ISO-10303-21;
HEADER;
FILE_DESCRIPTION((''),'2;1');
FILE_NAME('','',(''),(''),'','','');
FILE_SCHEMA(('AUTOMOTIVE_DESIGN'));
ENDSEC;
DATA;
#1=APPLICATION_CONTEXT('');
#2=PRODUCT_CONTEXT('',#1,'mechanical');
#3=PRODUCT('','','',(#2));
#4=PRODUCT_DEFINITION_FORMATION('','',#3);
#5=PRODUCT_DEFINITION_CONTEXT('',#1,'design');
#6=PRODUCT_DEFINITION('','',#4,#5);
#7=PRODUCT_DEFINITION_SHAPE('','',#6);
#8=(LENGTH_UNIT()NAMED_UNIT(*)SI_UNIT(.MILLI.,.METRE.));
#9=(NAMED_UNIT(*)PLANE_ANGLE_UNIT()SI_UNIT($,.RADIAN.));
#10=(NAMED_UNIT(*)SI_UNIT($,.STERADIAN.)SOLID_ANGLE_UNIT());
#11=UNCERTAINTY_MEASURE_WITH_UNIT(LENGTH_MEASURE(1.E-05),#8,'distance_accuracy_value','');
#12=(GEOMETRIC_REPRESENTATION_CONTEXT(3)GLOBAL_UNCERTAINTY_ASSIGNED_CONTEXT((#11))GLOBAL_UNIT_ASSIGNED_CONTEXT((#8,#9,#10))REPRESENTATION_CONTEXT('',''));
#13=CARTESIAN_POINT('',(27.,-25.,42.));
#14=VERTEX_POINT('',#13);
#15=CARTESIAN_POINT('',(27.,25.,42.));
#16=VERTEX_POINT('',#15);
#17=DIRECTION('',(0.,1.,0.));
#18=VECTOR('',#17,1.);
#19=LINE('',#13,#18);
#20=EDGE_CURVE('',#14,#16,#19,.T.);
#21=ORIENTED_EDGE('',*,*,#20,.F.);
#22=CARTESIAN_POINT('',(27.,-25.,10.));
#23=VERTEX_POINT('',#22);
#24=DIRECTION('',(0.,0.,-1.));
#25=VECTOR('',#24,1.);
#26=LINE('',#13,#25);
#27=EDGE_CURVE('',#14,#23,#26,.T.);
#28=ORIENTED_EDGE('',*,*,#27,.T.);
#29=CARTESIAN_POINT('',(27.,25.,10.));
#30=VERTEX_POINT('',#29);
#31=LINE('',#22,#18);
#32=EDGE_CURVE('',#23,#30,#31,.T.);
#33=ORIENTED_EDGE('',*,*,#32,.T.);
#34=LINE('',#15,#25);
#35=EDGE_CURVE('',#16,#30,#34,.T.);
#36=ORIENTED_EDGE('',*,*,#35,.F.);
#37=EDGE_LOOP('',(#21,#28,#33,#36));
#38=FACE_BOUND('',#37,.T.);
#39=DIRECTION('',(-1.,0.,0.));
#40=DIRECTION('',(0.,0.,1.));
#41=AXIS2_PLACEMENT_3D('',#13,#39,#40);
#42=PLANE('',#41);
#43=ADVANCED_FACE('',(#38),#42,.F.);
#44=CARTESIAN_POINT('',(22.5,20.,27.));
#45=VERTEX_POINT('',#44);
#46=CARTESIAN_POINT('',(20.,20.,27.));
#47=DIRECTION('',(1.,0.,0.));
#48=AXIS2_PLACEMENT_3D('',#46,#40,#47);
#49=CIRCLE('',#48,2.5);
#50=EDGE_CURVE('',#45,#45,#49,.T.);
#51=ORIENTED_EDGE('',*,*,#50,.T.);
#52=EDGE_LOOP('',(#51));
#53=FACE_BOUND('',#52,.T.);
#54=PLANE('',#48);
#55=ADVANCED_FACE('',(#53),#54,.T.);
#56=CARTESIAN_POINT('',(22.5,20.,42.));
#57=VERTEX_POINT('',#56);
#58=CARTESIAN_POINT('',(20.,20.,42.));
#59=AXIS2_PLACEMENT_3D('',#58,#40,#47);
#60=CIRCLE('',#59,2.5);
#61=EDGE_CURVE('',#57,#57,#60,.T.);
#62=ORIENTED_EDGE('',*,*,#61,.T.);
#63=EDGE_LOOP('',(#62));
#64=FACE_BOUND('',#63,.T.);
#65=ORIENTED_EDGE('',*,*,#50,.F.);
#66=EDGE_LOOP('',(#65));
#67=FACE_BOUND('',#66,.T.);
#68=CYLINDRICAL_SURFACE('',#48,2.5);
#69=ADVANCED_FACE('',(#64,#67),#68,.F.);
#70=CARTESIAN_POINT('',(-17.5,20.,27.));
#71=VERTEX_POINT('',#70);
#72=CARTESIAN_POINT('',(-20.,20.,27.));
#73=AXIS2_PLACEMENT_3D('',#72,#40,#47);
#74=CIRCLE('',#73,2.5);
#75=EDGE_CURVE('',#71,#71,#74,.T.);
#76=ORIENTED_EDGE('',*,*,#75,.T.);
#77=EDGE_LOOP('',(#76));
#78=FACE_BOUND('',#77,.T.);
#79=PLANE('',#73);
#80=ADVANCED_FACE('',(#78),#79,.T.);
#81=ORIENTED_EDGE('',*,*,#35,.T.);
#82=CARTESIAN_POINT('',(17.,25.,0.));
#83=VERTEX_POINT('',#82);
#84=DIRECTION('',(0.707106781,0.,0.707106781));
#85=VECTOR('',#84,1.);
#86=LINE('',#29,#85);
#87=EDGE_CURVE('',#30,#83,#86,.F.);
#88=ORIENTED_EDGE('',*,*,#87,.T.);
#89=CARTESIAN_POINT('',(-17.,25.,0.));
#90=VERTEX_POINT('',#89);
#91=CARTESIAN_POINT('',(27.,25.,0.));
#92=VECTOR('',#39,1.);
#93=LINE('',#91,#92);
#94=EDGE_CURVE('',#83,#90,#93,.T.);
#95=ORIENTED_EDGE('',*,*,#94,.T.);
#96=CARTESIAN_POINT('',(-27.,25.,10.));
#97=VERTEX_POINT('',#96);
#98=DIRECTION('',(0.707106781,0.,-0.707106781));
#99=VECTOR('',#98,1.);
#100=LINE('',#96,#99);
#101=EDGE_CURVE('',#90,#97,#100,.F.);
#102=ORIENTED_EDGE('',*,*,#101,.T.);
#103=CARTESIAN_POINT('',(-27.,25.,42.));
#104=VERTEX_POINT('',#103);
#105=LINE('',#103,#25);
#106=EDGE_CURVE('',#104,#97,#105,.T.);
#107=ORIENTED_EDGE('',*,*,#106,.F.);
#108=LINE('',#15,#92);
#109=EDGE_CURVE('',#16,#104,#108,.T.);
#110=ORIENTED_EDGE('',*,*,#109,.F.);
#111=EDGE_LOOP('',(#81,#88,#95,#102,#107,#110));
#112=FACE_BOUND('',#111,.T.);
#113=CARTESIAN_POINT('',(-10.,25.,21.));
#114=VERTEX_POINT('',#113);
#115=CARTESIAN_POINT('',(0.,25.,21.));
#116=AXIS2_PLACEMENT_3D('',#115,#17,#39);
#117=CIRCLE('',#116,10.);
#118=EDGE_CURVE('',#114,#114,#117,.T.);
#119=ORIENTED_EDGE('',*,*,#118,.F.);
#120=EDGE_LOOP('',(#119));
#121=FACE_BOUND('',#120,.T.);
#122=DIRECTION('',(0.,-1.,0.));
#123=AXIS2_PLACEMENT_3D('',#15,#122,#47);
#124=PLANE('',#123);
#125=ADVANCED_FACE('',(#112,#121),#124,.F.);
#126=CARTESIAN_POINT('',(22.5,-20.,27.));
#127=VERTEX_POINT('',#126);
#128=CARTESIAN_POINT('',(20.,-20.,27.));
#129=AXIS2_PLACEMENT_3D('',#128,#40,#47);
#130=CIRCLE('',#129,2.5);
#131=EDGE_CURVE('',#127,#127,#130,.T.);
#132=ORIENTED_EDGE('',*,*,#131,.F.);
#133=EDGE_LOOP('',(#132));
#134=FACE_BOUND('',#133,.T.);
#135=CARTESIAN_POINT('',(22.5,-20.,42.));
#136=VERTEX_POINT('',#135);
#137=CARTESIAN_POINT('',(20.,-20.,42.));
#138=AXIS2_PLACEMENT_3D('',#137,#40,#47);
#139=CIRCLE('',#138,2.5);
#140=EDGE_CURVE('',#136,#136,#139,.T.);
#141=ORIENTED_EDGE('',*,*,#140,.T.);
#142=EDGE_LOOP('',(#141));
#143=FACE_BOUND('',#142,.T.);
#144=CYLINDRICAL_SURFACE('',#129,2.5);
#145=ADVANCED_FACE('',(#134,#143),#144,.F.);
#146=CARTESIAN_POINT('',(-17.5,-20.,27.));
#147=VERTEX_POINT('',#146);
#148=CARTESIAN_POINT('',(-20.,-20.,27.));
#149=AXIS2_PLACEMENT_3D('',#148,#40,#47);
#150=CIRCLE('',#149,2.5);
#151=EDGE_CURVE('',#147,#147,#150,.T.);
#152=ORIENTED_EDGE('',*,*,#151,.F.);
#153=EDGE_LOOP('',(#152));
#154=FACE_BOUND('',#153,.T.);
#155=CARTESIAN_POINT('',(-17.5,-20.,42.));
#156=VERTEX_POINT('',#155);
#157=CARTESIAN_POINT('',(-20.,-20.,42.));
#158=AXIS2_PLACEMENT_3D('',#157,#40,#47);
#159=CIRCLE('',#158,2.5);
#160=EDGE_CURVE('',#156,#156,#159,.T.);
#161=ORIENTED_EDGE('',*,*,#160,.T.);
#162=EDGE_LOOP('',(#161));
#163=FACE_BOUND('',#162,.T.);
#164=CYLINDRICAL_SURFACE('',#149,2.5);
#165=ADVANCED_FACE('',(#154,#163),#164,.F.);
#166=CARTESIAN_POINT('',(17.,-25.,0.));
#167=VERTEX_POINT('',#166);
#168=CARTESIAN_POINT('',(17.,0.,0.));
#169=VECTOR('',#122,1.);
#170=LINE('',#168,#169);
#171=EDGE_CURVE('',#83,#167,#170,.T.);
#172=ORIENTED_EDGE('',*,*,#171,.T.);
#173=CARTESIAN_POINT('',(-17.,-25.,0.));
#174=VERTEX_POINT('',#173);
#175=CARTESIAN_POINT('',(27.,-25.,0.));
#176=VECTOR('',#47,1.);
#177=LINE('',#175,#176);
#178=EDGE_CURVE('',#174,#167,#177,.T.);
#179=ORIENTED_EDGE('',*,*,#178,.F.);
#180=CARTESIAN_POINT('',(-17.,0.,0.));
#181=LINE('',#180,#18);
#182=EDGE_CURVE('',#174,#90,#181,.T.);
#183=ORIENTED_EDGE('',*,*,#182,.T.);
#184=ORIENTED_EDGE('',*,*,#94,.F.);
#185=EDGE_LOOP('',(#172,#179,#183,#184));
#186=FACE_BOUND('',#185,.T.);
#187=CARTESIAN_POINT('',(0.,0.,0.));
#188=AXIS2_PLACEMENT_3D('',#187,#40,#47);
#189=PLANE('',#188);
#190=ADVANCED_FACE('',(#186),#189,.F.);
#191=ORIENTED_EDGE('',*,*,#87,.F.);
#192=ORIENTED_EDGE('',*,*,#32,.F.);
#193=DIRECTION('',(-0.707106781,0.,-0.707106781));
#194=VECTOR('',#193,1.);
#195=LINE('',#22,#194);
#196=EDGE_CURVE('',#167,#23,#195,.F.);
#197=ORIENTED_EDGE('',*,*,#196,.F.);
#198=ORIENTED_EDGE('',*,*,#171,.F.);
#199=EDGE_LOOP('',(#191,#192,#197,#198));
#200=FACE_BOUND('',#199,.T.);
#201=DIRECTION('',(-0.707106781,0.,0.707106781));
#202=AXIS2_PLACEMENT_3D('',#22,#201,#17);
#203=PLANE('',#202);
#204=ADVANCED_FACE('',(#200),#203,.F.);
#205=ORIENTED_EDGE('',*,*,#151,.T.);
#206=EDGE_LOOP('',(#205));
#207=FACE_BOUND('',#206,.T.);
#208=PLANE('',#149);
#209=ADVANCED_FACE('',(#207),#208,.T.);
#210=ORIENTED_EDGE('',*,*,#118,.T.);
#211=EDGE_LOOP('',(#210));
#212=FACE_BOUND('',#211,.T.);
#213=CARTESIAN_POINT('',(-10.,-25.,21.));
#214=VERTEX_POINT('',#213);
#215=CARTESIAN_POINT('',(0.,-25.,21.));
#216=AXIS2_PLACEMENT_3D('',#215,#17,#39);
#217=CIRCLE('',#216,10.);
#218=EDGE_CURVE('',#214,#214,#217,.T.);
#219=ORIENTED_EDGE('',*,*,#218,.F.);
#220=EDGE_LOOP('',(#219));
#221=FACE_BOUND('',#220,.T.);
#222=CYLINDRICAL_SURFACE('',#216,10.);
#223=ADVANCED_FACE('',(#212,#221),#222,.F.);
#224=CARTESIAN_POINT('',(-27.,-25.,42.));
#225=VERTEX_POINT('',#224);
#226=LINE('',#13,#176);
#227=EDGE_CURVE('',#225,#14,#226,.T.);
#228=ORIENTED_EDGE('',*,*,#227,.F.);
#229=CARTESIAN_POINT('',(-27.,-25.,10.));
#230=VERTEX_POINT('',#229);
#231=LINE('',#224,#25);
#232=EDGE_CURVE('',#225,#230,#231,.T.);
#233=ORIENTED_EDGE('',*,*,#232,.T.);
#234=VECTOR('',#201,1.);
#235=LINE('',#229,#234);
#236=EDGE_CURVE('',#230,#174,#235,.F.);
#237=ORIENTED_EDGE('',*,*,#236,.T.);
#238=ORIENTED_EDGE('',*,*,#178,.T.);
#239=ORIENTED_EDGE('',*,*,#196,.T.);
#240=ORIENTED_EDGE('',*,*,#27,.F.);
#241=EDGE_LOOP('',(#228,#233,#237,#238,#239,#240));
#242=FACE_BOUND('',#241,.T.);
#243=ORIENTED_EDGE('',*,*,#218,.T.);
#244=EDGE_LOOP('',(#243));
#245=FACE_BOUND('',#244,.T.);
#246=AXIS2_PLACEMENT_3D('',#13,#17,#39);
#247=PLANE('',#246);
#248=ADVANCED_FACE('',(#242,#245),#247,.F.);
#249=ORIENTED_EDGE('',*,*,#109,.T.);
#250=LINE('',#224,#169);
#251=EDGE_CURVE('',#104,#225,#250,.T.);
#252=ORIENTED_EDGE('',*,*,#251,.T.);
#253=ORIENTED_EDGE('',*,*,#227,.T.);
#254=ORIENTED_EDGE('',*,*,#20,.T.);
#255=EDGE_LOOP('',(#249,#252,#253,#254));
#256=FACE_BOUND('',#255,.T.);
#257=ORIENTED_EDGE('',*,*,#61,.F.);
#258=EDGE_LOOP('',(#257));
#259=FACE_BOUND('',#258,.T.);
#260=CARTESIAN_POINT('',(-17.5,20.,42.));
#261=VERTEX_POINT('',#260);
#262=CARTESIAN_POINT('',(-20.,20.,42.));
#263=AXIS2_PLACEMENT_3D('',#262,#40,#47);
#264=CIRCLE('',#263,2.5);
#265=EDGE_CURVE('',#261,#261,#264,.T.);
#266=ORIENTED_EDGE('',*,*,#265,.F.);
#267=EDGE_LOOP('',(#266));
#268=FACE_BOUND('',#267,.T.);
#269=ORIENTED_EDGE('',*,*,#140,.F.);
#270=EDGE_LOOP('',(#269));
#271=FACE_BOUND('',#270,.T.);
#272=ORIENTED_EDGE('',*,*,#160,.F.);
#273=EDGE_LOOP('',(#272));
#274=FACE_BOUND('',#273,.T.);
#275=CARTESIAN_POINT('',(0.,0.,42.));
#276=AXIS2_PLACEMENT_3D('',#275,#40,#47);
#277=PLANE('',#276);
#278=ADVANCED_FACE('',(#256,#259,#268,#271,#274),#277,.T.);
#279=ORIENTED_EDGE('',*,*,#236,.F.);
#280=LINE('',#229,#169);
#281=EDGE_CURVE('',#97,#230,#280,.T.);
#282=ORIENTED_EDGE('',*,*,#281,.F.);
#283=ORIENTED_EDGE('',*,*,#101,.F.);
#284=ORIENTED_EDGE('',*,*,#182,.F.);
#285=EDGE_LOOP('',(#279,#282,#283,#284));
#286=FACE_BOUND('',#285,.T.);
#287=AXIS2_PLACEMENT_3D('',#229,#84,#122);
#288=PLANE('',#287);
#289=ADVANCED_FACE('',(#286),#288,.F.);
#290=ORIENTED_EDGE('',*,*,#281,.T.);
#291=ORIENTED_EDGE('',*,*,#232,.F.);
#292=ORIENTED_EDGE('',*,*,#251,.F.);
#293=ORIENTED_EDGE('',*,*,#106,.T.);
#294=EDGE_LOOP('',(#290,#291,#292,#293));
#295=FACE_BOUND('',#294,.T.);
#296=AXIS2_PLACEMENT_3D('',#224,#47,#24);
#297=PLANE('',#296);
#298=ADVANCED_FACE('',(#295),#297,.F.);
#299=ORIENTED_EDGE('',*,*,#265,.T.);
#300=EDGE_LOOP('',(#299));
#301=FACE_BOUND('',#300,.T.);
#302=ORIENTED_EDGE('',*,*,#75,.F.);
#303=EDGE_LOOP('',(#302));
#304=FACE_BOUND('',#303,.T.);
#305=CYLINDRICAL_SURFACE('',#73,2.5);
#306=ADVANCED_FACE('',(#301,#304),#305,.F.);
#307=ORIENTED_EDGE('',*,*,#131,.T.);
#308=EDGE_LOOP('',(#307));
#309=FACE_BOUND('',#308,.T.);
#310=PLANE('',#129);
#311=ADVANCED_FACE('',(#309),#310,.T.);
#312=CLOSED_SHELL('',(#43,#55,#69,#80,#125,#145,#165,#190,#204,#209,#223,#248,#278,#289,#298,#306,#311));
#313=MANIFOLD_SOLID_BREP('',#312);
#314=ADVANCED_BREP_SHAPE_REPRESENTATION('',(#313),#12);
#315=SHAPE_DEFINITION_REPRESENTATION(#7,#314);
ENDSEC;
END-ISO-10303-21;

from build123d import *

# Parameters (mm, degrees)
SKETCH1_W           = 54
SKETCH1_H           = 50
BOSS_EXTRUDE1_DEPTH = 42
CHAMFER1_SIZE       = 10
SKETCH2_R           = 10
CUT_EXTRUDE1_DEPTH  = 51
SKETCH3_R           = 2.5
CUT_EXTRUDE2_DEPTH  = 15


with BuildPart() as part:
    # Sketch1 → Boss-Extrude1 (new body)
    with BuildSketch(Plane.XY):
        Rectangle(SKETCH1_W, SKETCH1_H)
    extrude(amount=BOSS_EXTRUDE1_DEPTH)

    # Chamfer1
    chamfer1_edges = [part.edges().sort_by_distance(p)[0] for p in [
        (27, 0, 0),
        (-27, 0, 0),
    ]]
    chamfer(chamfer1_edges, length=CHAMFER1_SIZE)

    # Sketch2 → Cut-Extrude1 (cut, through all)
    with BuildSketch(Plane(origin=(0, 25, 0), x_dir=(1, 0, 0), z_dir=(0, 1, 0))):
        with Locations((0, -21)):
            Circle(SKETCH2_R)
    extrude(amount=-CUT_EXTRUDE1_DEPTH, mode=Mode.SUBTRACT)

    # Sketch3 → Cut-Extrude2 (cut)
    with BuildSketch(Plane.XY.offset(42)):
        with Locations((-20, 20)):
            Circle(SKETCH3_R)
        with Locations((20, 20)):
            Circle(SKETCH3_R)
        with Locations((-20, -20)):
            Circle(SKETCH3_R)
        with Locations((20, -20)):
            Circle(SKETCH3_R)
    extrude(amount=-CUT_EXTRUDE2_DEPTH, mode=Mode.SUBTRACT)


solid = part.part
